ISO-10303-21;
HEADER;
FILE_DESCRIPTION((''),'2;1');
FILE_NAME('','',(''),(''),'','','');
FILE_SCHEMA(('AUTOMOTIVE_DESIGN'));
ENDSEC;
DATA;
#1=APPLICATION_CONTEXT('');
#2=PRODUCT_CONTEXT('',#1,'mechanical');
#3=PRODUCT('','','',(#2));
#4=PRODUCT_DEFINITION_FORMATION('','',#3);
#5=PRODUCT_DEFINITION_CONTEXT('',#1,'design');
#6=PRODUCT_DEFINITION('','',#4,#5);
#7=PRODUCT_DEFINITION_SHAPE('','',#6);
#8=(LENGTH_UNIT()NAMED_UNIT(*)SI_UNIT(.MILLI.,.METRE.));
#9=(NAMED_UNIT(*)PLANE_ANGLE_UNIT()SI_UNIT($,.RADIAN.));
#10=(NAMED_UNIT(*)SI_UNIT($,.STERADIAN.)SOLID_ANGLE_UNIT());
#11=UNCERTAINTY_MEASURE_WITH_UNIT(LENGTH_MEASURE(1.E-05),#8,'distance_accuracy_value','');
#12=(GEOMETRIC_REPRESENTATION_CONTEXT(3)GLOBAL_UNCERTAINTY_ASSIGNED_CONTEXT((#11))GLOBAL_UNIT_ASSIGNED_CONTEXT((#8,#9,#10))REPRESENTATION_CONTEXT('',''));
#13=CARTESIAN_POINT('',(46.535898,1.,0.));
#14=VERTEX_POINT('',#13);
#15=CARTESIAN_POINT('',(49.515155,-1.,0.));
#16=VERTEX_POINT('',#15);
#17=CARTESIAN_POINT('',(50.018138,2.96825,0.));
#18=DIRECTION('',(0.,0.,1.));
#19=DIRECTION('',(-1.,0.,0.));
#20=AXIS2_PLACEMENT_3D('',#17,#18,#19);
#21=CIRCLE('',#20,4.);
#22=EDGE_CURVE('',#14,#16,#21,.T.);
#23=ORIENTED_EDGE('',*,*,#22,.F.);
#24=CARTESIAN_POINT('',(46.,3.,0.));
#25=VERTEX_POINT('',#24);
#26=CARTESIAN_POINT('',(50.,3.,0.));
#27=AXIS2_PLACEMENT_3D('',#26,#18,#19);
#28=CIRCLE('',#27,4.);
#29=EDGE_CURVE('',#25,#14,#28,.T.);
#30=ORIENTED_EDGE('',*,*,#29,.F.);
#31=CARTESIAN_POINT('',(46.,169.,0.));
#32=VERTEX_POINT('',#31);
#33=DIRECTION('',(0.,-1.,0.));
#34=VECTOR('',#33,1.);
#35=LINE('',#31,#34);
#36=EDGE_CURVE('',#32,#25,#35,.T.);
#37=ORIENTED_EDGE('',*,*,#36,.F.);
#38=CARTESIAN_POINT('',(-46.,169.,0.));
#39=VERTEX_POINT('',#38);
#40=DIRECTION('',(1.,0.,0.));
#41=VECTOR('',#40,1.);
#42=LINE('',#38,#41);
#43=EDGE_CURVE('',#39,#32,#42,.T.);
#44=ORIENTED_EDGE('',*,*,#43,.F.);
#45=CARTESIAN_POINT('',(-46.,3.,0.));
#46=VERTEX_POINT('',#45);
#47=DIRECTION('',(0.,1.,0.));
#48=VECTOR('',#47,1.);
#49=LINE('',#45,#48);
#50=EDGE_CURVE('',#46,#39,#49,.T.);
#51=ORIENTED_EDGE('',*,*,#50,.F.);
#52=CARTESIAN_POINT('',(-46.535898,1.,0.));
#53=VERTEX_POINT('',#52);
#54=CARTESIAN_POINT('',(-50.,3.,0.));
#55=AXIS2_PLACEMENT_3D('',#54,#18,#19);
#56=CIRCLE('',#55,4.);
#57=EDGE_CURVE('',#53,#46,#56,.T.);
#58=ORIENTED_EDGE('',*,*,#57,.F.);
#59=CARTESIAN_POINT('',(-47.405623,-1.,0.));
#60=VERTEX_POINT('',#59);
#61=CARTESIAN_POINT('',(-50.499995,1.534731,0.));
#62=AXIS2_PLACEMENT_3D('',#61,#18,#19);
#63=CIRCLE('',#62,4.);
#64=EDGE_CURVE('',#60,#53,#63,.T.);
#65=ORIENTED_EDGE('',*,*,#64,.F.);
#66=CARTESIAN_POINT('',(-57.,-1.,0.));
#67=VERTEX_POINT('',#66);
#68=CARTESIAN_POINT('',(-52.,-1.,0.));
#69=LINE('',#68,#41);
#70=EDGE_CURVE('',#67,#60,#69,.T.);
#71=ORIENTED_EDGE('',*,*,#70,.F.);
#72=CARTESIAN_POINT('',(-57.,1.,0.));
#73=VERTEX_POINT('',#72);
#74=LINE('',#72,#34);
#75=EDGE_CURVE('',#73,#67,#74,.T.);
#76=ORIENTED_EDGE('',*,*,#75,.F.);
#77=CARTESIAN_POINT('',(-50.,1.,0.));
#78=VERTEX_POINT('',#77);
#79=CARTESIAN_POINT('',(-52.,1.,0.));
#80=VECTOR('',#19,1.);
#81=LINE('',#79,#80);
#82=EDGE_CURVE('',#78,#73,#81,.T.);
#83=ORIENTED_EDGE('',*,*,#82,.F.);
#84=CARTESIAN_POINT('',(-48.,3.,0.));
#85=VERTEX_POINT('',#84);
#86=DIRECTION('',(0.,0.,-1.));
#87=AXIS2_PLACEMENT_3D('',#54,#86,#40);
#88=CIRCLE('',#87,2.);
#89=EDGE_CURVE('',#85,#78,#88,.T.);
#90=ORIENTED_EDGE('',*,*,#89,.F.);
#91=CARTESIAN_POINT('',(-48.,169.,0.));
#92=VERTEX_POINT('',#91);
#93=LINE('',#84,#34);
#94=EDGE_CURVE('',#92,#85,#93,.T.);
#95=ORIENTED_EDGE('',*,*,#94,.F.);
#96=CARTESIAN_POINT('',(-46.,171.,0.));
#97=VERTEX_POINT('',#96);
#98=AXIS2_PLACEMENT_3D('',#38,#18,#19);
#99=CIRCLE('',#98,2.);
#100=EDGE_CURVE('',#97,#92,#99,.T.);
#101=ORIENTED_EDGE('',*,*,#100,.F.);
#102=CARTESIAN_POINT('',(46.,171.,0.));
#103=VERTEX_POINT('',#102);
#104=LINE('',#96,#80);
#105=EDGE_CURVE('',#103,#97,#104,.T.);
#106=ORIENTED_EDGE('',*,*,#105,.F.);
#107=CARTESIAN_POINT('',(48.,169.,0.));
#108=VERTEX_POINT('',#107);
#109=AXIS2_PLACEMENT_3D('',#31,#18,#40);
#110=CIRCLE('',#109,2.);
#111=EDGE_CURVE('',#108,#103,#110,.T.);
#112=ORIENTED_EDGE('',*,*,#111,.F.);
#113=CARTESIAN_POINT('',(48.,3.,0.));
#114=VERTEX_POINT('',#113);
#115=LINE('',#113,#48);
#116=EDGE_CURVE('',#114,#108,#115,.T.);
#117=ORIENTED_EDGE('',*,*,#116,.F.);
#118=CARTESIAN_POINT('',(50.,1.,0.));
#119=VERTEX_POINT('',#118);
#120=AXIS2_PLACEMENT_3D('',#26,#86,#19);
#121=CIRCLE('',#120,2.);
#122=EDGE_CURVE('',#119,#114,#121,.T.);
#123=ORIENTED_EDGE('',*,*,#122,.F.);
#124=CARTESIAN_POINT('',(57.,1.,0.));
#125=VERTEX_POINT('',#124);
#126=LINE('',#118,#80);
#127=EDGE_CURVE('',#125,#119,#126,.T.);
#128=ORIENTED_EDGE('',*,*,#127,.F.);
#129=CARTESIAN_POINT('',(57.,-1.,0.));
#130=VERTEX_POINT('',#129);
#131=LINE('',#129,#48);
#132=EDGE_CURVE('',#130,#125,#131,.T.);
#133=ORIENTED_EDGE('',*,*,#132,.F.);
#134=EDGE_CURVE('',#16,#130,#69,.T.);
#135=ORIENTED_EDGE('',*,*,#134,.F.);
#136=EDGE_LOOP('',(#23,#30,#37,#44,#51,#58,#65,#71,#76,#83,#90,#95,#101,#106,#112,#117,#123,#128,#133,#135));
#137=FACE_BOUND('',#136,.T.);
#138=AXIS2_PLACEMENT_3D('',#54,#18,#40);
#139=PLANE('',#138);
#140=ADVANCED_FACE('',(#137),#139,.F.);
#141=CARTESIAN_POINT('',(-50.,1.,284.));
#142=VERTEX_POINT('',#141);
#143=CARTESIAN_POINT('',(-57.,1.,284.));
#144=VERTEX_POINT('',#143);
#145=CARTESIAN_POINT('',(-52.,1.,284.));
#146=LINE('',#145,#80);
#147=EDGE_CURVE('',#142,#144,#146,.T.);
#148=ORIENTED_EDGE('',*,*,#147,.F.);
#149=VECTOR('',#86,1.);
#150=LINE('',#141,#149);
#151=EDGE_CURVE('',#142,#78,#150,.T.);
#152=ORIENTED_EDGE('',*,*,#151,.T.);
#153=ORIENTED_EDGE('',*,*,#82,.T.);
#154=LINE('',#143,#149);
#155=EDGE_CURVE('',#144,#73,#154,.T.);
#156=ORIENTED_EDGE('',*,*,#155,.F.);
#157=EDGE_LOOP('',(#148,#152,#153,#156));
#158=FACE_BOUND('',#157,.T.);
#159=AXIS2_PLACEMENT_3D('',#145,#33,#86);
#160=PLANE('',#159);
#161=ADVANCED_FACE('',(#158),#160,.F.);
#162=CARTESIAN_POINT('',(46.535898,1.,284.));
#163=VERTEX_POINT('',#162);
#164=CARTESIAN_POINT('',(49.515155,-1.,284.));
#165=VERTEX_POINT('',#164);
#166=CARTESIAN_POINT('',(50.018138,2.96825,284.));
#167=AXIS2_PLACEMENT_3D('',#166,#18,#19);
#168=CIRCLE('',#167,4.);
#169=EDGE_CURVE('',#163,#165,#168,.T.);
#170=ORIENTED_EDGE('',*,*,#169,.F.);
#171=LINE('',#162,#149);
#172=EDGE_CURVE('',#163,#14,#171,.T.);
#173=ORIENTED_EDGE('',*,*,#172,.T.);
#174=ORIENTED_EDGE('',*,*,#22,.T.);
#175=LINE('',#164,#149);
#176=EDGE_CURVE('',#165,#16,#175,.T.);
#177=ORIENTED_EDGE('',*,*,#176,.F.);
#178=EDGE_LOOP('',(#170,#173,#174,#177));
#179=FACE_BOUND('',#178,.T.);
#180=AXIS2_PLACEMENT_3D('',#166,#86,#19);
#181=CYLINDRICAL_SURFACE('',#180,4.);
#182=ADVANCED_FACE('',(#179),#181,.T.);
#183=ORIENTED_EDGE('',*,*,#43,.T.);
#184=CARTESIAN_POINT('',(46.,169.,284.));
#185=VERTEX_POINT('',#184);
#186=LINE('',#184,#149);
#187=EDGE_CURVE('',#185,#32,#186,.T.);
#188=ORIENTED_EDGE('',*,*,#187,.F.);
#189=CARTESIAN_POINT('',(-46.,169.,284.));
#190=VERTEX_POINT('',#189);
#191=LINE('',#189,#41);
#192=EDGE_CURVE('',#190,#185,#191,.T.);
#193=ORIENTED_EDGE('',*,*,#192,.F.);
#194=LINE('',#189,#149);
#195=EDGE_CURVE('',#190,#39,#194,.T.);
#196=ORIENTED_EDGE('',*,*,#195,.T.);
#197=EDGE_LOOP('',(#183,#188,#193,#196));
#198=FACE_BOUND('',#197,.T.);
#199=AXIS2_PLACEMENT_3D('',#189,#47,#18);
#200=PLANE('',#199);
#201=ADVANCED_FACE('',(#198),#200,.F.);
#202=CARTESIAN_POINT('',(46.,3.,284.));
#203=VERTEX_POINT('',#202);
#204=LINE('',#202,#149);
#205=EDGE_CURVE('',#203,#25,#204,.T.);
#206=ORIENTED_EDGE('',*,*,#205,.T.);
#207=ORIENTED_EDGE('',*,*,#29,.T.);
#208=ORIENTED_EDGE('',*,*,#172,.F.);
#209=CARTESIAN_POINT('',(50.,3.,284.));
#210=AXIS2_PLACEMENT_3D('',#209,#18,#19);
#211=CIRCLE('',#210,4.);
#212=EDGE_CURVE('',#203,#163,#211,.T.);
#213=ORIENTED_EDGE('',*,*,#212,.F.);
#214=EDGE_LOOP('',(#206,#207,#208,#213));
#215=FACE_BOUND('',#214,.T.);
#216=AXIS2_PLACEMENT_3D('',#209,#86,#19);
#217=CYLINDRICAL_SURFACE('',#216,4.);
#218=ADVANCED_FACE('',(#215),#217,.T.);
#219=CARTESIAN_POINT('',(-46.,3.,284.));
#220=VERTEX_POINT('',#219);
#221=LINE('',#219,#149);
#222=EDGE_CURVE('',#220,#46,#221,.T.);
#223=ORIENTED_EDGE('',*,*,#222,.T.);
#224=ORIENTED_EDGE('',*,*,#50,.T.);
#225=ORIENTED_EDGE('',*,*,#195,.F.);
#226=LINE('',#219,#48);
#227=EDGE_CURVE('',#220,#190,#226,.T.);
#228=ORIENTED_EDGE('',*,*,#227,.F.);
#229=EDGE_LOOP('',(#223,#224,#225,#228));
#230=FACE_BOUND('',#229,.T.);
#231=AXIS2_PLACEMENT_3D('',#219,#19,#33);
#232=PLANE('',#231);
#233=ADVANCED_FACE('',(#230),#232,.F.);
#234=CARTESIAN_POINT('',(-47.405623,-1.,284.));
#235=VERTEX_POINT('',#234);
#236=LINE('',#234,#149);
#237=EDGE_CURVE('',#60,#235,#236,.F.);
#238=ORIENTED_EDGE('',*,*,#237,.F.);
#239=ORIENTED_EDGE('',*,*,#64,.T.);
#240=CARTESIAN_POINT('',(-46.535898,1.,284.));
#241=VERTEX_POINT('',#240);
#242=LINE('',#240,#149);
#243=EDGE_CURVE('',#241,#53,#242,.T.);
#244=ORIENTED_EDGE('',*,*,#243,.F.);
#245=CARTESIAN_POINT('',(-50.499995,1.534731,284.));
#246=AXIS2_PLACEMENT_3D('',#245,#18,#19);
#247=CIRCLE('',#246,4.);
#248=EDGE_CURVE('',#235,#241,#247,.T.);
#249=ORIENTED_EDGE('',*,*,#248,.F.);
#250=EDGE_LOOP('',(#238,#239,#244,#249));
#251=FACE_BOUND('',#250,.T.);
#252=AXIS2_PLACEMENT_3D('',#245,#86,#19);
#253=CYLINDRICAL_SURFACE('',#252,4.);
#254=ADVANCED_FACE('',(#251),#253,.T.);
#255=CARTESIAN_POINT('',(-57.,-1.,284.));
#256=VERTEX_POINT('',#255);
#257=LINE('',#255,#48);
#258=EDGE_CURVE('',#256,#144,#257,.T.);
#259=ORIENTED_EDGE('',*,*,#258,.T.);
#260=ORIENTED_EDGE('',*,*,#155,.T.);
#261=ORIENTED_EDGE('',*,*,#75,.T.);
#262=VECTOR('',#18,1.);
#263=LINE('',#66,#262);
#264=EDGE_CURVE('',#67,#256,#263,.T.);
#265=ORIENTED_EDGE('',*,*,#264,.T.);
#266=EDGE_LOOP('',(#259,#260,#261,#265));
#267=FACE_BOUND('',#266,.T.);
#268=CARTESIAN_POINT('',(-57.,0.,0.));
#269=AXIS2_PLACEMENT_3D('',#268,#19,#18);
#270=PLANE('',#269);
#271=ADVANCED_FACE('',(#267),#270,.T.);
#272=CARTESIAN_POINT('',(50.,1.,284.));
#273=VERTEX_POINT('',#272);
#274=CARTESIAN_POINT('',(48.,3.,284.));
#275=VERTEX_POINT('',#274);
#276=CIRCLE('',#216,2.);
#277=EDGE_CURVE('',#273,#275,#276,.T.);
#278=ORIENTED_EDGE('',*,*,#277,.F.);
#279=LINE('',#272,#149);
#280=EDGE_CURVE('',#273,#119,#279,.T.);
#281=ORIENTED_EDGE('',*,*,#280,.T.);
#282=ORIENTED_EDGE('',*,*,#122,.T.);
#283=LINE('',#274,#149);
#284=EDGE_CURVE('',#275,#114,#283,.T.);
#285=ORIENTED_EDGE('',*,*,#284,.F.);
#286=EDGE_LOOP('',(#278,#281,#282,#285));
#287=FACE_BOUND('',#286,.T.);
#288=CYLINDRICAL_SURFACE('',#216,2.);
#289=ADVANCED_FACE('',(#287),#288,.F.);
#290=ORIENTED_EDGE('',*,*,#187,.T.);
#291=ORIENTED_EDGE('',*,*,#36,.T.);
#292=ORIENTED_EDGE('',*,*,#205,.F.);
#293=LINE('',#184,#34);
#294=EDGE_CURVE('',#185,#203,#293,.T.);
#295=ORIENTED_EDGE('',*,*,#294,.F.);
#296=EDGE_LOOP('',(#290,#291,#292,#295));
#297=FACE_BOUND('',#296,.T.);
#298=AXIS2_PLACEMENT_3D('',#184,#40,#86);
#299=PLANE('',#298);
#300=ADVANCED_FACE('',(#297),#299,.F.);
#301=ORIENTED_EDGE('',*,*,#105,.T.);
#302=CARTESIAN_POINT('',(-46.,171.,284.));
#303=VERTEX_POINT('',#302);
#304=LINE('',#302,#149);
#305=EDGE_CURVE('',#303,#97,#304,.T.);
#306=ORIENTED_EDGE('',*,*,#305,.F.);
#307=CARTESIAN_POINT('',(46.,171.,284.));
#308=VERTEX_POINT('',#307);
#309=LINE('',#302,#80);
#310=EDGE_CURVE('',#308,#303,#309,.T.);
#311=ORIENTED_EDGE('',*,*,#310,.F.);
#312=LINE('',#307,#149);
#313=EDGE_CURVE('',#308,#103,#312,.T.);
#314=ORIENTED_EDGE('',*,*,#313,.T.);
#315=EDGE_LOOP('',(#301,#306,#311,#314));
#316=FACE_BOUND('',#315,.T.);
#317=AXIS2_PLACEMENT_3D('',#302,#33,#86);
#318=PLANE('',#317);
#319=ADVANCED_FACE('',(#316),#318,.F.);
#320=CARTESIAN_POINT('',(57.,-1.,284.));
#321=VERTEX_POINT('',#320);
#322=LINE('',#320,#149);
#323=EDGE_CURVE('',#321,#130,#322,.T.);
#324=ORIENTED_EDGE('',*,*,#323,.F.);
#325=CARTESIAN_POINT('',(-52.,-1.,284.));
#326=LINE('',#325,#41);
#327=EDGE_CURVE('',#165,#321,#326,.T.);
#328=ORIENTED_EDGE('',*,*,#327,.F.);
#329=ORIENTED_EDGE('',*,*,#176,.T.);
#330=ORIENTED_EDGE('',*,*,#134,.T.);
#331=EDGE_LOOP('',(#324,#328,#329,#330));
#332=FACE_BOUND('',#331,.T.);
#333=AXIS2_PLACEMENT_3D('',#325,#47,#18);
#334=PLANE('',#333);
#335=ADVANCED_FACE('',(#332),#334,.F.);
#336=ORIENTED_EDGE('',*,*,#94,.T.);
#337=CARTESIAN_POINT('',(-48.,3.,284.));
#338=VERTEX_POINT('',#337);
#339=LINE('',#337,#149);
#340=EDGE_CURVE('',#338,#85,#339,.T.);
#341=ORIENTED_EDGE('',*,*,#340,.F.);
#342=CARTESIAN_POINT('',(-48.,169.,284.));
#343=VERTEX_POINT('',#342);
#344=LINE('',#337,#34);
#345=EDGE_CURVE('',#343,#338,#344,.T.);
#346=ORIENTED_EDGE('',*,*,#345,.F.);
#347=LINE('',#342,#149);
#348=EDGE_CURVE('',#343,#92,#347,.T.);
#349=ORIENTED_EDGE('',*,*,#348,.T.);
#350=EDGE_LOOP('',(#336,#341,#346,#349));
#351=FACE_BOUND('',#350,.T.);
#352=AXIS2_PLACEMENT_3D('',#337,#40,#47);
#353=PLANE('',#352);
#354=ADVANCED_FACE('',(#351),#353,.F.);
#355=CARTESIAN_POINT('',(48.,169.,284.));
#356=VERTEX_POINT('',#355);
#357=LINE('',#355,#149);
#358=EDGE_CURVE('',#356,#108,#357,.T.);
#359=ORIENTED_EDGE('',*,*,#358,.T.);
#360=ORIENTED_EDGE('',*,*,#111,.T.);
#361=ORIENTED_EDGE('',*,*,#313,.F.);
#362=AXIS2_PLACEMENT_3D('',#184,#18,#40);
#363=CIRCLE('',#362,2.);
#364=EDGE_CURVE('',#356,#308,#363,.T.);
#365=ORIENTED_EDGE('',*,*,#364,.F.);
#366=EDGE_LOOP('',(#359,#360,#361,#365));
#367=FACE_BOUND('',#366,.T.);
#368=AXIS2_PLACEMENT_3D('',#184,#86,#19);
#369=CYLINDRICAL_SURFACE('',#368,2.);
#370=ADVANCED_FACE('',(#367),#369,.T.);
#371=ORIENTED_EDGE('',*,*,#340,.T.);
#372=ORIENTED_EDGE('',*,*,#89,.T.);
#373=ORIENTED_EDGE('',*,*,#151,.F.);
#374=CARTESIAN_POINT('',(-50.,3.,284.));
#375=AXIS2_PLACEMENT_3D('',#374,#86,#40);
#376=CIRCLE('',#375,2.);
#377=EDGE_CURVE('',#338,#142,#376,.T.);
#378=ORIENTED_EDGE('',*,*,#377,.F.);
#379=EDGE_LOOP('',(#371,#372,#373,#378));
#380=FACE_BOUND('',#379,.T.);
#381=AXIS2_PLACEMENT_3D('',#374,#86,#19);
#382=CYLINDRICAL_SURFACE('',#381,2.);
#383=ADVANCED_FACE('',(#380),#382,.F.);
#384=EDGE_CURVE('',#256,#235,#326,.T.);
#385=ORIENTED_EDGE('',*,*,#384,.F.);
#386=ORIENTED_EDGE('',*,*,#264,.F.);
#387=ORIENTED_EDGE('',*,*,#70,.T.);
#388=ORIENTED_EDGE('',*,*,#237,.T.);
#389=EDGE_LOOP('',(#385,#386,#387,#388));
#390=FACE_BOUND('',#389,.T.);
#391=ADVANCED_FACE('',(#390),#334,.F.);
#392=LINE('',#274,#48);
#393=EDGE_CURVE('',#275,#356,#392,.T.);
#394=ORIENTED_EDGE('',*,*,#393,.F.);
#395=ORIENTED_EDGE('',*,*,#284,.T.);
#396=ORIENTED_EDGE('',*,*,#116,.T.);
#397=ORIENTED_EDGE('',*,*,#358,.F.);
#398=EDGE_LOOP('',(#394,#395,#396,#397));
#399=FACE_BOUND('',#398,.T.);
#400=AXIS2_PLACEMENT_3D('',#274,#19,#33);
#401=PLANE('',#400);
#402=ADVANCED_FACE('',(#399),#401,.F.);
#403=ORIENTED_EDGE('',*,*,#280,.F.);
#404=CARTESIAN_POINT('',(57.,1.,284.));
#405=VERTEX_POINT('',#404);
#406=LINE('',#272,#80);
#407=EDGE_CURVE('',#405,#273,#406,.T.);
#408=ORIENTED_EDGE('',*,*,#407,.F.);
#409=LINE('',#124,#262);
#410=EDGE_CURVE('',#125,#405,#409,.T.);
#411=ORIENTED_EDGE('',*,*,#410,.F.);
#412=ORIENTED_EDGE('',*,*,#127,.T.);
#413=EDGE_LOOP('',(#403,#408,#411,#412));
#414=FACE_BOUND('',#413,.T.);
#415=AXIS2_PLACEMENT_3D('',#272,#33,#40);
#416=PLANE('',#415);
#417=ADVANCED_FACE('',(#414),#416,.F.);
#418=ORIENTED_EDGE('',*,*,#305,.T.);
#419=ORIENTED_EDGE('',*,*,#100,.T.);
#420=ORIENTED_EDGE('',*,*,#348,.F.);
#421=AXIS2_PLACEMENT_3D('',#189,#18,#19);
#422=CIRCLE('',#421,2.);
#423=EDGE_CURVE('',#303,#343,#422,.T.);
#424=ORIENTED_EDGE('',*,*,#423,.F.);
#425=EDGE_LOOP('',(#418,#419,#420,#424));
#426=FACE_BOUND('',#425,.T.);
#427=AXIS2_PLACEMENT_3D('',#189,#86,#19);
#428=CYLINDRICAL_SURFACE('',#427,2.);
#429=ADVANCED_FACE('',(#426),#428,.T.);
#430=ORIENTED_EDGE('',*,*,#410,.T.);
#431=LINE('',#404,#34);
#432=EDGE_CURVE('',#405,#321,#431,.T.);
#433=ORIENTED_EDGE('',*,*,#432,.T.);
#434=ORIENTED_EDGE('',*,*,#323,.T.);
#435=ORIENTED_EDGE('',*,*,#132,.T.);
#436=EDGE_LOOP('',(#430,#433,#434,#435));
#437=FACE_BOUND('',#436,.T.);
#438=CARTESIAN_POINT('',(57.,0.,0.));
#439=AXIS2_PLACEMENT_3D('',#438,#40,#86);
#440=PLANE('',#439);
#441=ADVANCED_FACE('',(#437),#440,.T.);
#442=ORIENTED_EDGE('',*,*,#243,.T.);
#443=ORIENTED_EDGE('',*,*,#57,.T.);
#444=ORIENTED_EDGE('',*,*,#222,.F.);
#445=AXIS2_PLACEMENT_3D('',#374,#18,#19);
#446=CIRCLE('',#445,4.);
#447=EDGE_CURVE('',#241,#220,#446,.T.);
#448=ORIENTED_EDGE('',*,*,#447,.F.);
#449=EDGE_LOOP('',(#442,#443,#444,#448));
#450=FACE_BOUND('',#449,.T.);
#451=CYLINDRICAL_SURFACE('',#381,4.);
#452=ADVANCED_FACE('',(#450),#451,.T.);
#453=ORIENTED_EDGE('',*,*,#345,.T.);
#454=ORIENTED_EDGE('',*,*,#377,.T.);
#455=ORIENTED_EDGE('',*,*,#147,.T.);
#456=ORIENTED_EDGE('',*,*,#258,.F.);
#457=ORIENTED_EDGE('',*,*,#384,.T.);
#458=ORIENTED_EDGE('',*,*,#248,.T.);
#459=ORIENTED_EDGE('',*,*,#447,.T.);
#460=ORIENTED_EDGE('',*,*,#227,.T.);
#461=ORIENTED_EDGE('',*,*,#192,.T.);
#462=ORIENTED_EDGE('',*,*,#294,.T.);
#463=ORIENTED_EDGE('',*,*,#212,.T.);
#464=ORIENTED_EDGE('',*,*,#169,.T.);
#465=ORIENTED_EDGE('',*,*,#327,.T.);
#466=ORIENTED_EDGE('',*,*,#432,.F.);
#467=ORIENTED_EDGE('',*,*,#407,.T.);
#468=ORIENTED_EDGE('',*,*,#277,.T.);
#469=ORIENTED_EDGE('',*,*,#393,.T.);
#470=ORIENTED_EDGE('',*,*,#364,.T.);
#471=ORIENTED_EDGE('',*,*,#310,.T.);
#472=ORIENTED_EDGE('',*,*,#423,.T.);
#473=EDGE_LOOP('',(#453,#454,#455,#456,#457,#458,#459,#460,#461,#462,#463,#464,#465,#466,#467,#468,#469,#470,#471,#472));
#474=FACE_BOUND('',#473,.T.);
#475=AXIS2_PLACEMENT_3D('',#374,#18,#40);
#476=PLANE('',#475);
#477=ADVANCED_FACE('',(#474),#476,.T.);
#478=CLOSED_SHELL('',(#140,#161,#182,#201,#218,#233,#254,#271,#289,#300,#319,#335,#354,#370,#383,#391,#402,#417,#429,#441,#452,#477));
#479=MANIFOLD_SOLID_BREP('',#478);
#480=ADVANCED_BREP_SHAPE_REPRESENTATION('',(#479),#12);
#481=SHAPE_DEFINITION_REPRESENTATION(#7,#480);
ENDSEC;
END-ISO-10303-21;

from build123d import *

# Parameters (mm, degrees)
BOSS_EXTRUDE1_DEPTH = 284
CUT_EXTRUDE1_DEPTH  = 336.560724758
CUT_EXTRUDE3_DEPTH  = 284
SKETCH5_W           = 284
SKETCH5_H           = 2
BOSS_EXTRUDE2_DEPTH = 5
SKETCH6_W           = 284
SKETCH6_H           = 2
BOSS_EXTRUDE3_DEPTH = 5


with BuildPart() as part:
    # Sketch1 → Boss-Extrude1 (new body)
    with BuildSketch(Plane.XY):
        with BuildLine():
            Line((50, 1), (52, 1))
            Line((52, 1), (52, -1))
            Line((52, -1), (-52, -1))
            Line((-52, -1), (-52, 1))
            Line((-52, 1), (-50, 1))
            ThreePointArc((-50, 1), (-48.585786438, 1.585786438), (-48, 3))
            Line((-48, 3), (-48, 169))
            ThreePointArc((-48, 169), (-47.414213562, 170.414213562), (-46, 171))
            Line((-46, 171), (46, 171))
            ThreePointArc((46, 171), (47.414213562, 170.414213562), (48, 169))
            Line((48, 169), (48, 3))
            ThreePointArc((48, 3), (48.585786438, 1.585786438), (50, 1))
        make_face()
    extrude(amount=BOSS_EXTRUDE1_DEPTH)

    # Sketch2 → Cut-Extrude1 (cut, through all)
    with BuildSketch(Plane(origin=(0, 0, 0), x_dir=(-1, 0, 0), z_dir=(0, 0, -1))):
        with BuildLine():
            Line((-46.535898385, 1), (46.535898385, 1))
            ThreePointArc((46.535898385, 1), (46.136296695, 1.96472382), (46, 3))
            Line((46, 3), (46, 169))
            Line((46, 169), (-46, 169))
            Line((-46, 169), (-46, 3))
            ThreePointArc((-46, 3), (-46.136296695, 1.96472382), (-46.535898385, 1))
        make_face()
    extrude(amount=-CUT_EXTRUDE1_DEPTH, mode=Mode.SUBTRACT)

    # Sketch3 → Cut-Extrude3 (cut)
    with BuildSketch(Plane(origin=(0, 0, 0), x_dir=(-1, 0, 0), z_dir=(0, 0, -1))):
        with BuildLine():
            Line((-50.018137883, -1.031749995), (49.461412471, -2.32808526))
            ThreePointArc((49.461412471, -2.32808526), (47.495708501, -1.106152193), (46.535898385, 1))
            Line((46.535898385, 1), (-46.535898385, 1))
            ThreePointArc((-46.535898385, 1), (-48.002325394, -0.486674019), (-50.018137883, -1.031749995))
        make_face()
    extrude(amount=-CUT_EXTRUDE3_DEPTH, mode=Mode.SUBTRACT)

    # Sketch5 → Boss-Extrude2 (add)
    with BuildSketch(Plane.ZY.offset(52)):
        with Locations((142, 0)):
            Rectangle(SKETCH5_W, SKETCH5_H)
    extrude(amount=BOSS_EXTRUDE2_DEPTH)

    # Sketch6 → Boss-Extrude3 (add)
    with BuildSketch(Plane(origin=(52, 0, 0), x_dir=(0, 0, -1), z_dir=(1, 0, 0))):
        with Locations((-142, 0)):
            Rectangle(SKETCH6_W, SKETCH6_H)
    extrude(amount=BOSS_EXTRUDE3_DEPTH)


solid = part.part
